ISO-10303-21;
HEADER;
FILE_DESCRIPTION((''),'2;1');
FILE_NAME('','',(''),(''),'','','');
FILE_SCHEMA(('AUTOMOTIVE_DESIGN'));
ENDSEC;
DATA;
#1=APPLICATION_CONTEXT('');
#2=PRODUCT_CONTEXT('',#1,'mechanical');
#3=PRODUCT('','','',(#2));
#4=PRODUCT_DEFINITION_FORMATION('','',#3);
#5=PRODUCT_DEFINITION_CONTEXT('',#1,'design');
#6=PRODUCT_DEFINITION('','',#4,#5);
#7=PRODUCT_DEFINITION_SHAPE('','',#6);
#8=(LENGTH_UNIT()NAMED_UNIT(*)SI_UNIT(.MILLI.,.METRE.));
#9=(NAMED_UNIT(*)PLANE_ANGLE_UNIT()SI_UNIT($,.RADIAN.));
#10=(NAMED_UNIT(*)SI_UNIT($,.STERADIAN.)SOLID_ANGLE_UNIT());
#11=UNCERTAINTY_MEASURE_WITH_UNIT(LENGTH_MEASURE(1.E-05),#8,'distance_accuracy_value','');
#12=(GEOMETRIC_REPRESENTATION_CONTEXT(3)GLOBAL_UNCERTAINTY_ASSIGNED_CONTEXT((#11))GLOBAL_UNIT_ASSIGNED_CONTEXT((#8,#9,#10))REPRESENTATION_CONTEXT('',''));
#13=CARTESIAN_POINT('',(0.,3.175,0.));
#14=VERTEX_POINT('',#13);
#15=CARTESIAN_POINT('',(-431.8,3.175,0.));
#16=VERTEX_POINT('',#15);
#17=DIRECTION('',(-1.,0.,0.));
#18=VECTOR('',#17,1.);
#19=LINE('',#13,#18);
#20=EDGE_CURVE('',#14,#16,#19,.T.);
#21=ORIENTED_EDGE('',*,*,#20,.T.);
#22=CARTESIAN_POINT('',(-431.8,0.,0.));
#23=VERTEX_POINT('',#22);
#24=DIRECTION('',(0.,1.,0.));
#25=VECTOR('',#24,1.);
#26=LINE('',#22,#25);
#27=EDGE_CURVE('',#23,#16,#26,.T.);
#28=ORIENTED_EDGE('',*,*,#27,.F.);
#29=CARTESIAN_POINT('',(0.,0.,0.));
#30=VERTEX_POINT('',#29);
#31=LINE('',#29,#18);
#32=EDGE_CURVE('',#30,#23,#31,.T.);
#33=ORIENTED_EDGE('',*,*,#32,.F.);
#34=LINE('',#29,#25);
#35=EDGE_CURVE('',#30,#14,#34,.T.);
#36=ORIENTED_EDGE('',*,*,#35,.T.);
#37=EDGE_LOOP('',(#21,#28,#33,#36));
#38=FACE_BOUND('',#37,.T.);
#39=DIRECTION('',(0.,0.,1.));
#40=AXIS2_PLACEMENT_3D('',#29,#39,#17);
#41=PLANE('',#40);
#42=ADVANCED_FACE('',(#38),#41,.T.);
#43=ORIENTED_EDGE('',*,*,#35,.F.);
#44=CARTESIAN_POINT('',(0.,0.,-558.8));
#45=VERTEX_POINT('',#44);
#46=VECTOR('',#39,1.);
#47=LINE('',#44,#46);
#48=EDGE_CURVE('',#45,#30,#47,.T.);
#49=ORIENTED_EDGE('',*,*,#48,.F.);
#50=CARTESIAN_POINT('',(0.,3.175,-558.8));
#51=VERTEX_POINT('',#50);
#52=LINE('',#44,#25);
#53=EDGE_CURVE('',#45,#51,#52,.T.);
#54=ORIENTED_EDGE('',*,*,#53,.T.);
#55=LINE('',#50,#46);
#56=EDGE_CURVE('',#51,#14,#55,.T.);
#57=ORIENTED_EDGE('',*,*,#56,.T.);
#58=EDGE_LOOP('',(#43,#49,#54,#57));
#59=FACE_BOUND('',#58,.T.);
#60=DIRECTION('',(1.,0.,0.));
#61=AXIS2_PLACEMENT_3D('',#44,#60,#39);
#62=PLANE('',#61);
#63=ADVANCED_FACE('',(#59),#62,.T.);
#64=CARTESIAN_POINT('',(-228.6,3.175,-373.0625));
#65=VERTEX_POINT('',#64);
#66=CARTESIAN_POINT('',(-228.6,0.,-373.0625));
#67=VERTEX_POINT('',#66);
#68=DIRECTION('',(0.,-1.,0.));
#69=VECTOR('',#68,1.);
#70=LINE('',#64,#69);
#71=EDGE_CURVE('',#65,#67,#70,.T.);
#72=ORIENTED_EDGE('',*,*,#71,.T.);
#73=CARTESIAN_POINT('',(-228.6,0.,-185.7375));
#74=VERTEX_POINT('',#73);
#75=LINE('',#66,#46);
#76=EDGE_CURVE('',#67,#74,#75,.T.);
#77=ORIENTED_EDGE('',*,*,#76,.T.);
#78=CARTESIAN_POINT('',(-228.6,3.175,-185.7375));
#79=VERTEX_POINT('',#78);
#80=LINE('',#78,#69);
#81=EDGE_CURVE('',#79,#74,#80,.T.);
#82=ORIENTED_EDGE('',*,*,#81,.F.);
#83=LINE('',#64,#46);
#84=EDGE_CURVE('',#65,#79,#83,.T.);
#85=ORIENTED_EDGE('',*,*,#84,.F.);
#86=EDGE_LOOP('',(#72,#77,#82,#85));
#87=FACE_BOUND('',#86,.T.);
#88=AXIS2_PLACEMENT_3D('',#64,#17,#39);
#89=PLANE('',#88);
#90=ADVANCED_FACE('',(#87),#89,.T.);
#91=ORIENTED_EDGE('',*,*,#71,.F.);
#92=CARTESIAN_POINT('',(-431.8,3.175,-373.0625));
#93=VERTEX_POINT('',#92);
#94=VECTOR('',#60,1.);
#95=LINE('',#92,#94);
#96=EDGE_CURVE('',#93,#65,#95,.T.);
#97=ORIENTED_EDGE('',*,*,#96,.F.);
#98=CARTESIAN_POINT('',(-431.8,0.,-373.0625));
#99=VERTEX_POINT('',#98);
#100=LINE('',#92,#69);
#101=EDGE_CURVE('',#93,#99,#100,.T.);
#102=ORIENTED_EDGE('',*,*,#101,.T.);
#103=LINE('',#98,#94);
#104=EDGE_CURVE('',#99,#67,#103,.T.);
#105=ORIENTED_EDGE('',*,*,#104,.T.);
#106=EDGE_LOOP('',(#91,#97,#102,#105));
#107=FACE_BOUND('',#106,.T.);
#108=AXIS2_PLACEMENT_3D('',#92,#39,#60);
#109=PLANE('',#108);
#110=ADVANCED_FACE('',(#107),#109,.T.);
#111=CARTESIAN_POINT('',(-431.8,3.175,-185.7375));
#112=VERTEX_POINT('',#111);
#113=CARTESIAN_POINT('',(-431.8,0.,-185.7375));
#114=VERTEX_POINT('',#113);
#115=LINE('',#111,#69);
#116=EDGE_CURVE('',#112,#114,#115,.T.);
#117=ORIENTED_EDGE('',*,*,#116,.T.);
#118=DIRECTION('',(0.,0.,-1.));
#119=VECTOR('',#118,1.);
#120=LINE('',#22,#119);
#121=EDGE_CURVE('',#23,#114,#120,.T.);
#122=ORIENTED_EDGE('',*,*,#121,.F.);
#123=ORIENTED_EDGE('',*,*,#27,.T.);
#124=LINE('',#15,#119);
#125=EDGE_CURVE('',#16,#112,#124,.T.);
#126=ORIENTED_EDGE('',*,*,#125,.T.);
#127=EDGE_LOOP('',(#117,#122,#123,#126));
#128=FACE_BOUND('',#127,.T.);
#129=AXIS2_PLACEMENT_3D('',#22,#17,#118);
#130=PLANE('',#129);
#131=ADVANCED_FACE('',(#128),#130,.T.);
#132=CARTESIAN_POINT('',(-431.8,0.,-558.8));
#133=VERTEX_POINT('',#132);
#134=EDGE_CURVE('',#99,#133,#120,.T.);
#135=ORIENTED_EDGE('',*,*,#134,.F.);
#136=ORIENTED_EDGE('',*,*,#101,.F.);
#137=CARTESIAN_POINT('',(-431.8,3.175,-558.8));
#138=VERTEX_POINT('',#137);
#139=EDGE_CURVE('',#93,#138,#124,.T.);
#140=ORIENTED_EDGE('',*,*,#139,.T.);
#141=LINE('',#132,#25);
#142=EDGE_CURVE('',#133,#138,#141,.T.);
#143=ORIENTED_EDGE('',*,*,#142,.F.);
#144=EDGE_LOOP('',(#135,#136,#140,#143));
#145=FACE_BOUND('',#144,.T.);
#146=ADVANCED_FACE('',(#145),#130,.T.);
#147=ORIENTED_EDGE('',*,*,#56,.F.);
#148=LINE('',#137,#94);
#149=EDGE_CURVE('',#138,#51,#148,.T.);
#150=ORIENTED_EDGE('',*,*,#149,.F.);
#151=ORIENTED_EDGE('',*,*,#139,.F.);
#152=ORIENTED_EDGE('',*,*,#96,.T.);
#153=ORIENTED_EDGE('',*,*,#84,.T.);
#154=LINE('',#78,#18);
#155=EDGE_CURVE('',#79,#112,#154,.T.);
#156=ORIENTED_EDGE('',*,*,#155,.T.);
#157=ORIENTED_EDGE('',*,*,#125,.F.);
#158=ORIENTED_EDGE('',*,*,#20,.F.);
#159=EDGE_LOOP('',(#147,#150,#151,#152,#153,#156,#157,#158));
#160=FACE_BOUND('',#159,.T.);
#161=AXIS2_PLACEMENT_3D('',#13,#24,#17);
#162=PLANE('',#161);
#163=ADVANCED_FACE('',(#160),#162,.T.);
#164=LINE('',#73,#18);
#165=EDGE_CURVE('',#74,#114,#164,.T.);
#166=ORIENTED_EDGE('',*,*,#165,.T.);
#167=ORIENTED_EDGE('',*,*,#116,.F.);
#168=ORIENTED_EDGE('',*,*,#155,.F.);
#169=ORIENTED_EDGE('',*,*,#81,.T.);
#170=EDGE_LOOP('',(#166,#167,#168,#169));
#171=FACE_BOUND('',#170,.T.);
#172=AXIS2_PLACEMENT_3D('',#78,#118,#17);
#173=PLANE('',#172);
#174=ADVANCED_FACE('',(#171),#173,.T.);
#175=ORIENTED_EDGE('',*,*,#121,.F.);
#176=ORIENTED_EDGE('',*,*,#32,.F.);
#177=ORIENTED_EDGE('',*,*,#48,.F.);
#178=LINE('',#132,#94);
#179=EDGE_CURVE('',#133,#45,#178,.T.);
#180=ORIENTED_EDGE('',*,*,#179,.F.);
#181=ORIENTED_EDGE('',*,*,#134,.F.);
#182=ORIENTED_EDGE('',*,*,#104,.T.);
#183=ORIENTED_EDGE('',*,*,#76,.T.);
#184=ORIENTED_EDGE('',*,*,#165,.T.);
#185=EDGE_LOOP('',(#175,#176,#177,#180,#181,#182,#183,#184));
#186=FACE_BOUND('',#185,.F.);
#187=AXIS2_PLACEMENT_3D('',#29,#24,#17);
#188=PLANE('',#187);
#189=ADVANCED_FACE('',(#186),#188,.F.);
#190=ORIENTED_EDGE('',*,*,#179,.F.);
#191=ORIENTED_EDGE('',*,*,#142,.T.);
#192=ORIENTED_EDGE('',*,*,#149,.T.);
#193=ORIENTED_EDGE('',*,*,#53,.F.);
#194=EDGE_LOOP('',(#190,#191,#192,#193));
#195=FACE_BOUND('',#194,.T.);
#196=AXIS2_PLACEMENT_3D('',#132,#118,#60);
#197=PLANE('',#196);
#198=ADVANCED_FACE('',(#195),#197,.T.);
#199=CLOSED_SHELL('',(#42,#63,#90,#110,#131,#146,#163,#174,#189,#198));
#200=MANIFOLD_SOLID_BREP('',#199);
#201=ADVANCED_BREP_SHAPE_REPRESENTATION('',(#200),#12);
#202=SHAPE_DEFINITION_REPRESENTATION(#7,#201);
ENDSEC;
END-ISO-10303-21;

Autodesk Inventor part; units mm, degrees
ref_plane "YZ Plane" through (0, 0, 0) normal (1, 0, 0) x (0, 1, 0)
ref_plane "XZ Plane" through (0, 0, 0) normal (0, 1, 0) x (-1, 0, 0)
ref_plane "XY Plane" through (0, 0, 0) normal (0, 0, 1) x (1, 0, 0)
sketch "Sketch1" plane through (0, 0, 0) normal (0, 1, 0) x (-1, 0, 0)
  line L0 (0, 0) -> (431.8, 0)
  line L1 (431.8, 0) -> (431.8, -558.8)
  line L2 (431.8, -558.8) -> (0, -558.8)
  line L3 (0, -558.8) -> (0, 0)
  dimension "d0" = 431.8
  dimension "d1" = 558.8
extrude "Extrusion1" add sketch "Sketch1" along normal blind 3.175
sketch "Sketch3" plane through (0, 3.175, 0) normal (0, 1, 0) x (1, 0, 0)
  line L0 (0, 0) -> (0, 558.8) projected
  line L1 (0, 327.1063) -> (0, 139.7813)
  line L2 (-431.8, 558.8) -> (-431.8, 0) projected
  line L3 (-431.8, 373.0625) -> (-228.6, 373.0625)
  line L4 (-228.6, 373.0625) -> (-228.6, 185.7375)
  line L5 (-228.6, 185.7375) -> (-431.8, 185.7375)
  line L6 (-431.8, 185.7375) -> (-431.8, 373.0625)
  point P0 (-228.6, 279.4)
  point P1 (-431.8, 279.4)
  dimension "d8" = 187.325
  dimension "d9" = 203.2
extrude "Extrusion3" cut sketch "Sketch3" against normal up to surface (3.175 mm away)
properties part number "ElectricalBoard.ver1-1111-2019" material "Polycarbonate, Clear"
